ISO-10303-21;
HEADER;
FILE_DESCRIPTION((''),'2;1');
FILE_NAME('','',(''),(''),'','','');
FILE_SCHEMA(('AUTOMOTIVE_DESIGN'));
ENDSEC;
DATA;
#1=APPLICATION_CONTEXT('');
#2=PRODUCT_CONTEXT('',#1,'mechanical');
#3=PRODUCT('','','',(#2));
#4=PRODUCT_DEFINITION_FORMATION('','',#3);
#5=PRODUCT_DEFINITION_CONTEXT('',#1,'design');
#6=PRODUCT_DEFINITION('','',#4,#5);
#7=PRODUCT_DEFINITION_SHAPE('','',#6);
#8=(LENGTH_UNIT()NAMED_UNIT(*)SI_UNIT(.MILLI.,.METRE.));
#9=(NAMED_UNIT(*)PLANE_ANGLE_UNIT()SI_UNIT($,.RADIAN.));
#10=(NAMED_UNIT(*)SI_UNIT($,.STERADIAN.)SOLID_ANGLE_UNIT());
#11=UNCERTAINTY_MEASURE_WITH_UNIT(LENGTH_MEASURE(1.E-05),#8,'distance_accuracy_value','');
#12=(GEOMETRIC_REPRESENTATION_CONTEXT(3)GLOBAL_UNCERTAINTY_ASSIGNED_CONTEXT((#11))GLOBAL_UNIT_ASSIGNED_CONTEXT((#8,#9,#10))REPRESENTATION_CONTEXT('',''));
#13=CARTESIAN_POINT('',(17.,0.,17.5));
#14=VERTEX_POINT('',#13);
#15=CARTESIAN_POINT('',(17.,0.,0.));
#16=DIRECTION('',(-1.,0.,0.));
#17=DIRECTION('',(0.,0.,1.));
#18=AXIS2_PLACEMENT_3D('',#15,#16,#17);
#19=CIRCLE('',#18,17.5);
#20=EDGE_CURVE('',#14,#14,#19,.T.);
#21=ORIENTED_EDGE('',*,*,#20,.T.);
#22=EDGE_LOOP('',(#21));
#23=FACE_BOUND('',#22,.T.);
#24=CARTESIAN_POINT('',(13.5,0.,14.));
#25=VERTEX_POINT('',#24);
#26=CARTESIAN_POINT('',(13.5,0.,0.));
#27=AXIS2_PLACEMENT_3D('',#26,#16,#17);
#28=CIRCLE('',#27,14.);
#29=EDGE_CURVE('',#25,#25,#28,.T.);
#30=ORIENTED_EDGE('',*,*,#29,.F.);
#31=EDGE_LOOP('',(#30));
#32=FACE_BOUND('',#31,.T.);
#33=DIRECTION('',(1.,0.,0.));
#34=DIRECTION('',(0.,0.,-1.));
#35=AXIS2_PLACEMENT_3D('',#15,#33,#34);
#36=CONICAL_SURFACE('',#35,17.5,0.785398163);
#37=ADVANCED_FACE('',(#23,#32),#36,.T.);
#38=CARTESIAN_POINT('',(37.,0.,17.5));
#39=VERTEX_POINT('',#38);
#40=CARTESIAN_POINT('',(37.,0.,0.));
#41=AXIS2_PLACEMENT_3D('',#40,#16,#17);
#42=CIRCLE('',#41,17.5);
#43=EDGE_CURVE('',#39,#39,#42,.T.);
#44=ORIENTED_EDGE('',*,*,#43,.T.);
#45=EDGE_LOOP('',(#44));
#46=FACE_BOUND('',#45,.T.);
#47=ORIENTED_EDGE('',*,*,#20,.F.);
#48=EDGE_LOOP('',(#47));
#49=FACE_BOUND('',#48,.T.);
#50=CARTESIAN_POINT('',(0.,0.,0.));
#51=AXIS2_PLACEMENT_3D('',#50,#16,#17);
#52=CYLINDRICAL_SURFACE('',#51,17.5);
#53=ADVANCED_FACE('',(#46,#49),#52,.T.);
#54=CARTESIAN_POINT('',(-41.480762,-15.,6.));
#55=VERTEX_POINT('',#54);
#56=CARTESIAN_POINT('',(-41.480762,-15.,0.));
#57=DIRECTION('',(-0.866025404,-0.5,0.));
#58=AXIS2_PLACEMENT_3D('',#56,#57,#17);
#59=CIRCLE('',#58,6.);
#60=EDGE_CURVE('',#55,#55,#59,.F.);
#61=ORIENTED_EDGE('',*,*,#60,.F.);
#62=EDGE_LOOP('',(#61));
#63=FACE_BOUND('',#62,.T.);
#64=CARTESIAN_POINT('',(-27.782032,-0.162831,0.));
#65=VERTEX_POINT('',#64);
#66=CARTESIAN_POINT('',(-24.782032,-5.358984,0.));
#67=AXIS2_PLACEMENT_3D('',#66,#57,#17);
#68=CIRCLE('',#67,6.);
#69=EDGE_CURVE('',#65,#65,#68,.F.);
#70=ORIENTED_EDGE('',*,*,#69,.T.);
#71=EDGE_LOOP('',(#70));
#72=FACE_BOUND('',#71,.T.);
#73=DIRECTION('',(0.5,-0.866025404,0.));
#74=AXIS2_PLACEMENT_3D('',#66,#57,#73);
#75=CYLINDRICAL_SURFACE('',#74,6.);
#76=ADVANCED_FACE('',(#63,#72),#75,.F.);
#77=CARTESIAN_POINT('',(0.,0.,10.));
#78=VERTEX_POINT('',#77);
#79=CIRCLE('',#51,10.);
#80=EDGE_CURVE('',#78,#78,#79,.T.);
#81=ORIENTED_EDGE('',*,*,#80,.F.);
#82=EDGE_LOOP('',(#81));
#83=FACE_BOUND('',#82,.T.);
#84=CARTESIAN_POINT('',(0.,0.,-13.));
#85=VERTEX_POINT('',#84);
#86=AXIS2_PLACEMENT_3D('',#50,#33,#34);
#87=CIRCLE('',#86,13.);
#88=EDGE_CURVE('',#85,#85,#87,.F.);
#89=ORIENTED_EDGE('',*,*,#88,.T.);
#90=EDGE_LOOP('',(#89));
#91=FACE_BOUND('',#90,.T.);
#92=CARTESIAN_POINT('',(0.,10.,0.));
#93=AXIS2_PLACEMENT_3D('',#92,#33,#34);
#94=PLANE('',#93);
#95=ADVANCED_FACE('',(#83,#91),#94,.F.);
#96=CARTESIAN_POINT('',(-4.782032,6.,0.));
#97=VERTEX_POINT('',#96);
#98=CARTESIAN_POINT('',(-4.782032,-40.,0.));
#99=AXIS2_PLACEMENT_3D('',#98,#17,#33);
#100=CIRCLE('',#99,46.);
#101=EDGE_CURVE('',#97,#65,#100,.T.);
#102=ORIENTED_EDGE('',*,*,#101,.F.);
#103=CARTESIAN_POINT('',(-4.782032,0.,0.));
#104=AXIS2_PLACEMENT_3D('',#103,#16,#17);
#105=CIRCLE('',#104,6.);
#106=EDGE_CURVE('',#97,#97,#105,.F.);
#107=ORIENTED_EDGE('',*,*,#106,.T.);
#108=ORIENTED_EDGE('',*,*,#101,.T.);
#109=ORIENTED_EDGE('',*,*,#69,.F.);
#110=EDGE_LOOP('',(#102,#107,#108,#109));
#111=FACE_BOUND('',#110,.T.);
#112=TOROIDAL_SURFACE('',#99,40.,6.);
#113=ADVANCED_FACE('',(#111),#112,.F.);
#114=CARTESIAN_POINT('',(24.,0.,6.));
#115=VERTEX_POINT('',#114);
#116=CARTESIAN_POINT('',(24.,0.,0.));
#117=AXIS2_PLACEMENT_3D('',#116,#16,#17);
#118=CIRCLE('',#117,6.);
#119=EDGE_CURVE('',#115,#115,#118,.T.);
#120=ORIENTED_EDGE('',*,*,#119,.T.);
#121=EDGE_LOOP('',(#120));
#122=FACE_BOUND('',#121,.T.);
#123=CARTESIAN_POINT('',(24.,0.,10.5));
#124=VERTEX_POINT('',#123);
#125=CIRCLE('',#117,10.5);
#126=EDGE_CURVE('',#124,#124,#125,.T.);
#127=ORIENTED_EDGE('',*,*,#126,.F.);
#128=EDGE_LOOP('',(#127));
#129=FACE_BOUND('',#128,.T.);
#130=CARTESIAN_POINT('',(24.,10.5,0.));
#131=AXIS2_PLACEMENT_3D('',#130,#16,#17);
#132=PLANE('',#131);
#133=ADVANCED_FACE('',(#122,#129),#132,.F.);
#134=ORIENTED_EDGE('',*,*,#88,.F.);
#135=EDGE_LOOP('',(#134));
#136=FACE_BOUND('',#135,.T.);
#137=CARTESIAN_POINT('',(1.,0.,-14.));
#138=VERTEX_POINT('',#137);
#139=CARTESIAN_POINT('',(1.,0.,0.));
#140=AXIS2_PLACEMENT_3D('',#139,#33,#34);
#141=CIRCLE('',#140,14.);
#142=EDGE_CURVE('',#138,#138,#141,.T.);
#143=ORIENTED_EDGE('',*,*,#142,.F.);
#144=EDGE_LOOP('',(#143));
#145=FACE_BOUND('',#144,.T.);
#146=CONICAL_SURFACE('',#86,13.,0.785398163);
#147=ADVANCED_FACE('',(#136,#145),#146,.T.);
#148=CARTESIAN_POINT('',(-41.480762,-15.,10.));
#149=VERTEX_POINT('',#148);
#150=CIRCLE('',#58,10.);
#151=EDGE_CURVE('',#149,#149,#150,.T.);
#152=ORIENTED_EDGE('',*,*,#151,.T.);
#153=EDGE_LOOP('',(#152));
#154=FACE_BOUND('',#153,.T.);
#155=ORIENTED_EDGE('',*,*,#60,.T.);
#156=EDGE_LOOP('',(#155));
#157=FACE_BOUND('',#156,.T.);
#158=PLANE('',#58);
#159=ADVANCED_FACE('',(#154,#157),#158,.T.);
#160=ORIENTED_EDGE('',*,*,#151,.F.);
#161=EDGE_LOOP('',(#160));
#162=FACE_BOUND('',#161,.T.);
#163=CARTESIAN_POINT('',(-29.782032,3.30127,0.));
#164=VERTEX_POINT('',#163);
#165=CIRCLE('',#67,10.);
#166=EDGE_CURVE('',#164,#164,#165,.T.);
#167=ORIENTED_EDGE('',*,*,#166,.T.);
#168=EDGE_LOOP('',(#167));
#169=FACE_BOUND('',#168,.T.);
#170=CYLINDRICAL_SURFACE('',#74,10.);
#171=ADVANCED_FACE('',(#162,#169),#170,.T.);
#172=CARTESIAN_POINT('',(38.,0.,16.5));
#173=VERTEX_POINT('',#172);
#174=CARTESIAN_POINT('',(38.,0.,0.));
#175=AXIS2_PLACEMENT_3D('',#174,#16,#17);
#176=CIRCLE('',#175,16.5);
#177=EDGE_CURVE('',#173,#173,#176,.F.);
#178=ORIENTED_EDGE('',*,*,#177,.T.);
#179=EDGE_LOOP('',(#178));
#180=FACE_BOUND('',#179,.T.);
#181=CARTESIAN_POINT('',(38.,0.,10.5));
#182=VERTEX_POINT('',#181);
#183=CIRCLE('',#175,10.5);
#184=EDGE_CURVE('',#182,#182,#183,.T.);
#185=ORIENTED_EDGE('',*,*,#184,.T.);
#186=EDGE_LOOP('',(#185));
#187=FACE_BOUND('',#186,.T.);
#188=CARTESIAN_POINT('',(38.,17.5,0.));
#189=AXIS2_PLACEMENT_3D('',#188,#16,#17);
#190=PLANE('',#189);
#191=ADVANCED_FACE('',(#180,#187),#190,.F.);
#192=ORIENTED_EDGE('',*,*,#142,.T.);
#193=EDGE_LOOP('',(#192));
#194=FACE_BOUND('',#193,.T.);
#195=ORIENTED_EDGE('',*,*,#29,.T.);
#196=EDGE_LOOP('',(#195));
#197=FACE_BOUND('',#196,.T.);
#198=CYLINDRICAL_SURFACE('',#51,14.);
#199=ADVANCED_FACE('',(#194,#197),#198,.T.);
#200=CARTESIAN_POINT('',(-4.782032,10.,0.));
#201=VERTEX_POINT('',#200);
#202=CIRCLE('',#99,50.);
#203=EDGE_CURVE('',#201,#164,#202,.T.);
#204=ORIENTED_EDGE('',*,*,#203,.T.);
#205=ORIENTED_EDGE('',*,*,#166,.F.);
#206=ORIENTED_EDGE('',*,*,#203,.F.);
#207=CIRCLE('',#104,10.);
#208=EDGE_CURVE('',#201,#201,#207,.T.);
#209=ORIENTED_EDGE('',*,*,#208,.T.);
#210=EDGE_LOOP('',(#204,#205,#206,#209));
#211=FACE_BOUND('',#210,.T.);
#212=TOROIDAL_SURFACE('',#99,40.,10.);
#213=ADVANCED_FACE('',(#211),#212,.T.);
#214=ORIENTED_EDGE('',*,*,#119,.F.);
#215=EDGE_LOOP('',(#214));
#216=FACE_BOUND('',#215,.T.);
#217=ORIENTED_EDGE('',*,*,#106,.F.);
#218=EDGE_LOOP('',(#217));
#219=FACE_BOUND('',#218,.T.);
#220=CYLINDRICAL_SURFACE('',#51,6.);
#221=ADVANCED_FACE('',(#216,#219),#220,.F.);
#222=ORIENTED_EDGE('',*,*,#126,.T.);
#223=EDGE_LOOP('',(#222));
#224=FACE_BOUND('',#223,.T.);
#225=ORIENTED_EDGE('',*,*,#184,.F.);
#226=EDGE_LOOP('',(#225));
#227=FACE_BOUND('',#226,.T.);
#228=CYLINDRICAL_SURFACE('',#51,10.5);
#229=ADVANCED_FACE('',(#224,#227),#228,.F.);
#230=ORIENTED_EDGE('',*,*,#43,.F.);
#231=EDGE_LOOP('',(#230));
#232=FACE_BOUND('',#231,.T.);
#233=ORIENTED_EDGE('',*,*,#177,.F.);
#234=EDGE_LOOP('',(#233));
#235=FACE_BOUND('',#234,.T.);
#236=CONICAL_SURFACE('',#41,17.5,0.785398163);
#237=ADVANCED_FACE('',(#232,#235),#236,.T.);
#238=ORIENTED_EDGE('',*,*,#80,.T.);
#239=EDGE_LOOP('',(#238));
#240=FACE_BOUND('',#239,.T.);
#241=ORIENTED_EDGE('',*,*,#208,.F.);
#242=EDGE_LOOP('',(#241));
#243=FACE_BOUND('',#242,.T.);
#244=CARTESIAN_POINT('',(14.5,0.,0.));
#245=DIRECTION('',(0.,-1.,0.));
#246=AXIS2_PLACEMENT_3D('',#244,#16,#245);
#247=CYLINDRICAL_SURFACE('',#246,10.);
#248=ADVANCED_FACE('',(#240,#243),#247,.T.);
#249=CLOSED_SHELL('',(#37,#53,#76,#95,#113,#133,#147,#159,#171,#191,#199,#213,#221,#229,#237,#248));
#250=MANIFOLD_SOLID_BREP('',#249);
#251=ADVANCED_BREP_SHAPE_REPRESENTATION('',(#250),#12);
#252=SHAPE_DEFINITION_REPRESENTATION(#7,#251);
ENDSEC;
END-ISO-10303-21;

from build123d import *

# Parameters (mm, degrees)
CHAMFER1_SIZE = 1
SKETCH2_R     = 10
SKETCH2_R_2   = 6


with BuildPart() as part:
    # Sketch1 → Revolve1 (revolve)
    with BuildSketch(Plane.XY):
        Polygon((0, 10), (0, 14), (13.5, 14), (17, 17.5), (38, 17.5), (38, 10.5), (24, 10.5), (24, 6), (14.5, 6), (14.5, 10), align=None)
    revolve(axis=Axis((0, 0, 0), (1, 0, 0)))

    # Chamfer1
    chamfer1_edges = [part.edges().sort_by_distance(p)[0] for p in [
        (38, -17.5, 0),
        (0, -14, 0),
    ]]
    chamfer(chamfer1_edges, length=CHAMFER1_SIZE)

    # Sweep6: sweep along a path in Sketch3
    with BuildLine(Plane.XY) as sweep6_path:
        Line((14.5, 0), (-4.782032303, 0))
        ThreePointArc((-4.782032303, 0), (-15.134794107, -1.362966948), (-24.782032303, -5.358983849))
        Line((-24.782032303, -5.358983849), (-41.480762114, -15))
    # Sketch2 → Sweep6 (sweep)
    with BuildSketch(Plane.ZY.offset(-14.5)):
        Circle(SKETCH2_R)
        Circle(SKETCH2_R_2, mode=Mode.SUBTRACT)
    sweep(path=sweep6_path.line)


solid = part.part
